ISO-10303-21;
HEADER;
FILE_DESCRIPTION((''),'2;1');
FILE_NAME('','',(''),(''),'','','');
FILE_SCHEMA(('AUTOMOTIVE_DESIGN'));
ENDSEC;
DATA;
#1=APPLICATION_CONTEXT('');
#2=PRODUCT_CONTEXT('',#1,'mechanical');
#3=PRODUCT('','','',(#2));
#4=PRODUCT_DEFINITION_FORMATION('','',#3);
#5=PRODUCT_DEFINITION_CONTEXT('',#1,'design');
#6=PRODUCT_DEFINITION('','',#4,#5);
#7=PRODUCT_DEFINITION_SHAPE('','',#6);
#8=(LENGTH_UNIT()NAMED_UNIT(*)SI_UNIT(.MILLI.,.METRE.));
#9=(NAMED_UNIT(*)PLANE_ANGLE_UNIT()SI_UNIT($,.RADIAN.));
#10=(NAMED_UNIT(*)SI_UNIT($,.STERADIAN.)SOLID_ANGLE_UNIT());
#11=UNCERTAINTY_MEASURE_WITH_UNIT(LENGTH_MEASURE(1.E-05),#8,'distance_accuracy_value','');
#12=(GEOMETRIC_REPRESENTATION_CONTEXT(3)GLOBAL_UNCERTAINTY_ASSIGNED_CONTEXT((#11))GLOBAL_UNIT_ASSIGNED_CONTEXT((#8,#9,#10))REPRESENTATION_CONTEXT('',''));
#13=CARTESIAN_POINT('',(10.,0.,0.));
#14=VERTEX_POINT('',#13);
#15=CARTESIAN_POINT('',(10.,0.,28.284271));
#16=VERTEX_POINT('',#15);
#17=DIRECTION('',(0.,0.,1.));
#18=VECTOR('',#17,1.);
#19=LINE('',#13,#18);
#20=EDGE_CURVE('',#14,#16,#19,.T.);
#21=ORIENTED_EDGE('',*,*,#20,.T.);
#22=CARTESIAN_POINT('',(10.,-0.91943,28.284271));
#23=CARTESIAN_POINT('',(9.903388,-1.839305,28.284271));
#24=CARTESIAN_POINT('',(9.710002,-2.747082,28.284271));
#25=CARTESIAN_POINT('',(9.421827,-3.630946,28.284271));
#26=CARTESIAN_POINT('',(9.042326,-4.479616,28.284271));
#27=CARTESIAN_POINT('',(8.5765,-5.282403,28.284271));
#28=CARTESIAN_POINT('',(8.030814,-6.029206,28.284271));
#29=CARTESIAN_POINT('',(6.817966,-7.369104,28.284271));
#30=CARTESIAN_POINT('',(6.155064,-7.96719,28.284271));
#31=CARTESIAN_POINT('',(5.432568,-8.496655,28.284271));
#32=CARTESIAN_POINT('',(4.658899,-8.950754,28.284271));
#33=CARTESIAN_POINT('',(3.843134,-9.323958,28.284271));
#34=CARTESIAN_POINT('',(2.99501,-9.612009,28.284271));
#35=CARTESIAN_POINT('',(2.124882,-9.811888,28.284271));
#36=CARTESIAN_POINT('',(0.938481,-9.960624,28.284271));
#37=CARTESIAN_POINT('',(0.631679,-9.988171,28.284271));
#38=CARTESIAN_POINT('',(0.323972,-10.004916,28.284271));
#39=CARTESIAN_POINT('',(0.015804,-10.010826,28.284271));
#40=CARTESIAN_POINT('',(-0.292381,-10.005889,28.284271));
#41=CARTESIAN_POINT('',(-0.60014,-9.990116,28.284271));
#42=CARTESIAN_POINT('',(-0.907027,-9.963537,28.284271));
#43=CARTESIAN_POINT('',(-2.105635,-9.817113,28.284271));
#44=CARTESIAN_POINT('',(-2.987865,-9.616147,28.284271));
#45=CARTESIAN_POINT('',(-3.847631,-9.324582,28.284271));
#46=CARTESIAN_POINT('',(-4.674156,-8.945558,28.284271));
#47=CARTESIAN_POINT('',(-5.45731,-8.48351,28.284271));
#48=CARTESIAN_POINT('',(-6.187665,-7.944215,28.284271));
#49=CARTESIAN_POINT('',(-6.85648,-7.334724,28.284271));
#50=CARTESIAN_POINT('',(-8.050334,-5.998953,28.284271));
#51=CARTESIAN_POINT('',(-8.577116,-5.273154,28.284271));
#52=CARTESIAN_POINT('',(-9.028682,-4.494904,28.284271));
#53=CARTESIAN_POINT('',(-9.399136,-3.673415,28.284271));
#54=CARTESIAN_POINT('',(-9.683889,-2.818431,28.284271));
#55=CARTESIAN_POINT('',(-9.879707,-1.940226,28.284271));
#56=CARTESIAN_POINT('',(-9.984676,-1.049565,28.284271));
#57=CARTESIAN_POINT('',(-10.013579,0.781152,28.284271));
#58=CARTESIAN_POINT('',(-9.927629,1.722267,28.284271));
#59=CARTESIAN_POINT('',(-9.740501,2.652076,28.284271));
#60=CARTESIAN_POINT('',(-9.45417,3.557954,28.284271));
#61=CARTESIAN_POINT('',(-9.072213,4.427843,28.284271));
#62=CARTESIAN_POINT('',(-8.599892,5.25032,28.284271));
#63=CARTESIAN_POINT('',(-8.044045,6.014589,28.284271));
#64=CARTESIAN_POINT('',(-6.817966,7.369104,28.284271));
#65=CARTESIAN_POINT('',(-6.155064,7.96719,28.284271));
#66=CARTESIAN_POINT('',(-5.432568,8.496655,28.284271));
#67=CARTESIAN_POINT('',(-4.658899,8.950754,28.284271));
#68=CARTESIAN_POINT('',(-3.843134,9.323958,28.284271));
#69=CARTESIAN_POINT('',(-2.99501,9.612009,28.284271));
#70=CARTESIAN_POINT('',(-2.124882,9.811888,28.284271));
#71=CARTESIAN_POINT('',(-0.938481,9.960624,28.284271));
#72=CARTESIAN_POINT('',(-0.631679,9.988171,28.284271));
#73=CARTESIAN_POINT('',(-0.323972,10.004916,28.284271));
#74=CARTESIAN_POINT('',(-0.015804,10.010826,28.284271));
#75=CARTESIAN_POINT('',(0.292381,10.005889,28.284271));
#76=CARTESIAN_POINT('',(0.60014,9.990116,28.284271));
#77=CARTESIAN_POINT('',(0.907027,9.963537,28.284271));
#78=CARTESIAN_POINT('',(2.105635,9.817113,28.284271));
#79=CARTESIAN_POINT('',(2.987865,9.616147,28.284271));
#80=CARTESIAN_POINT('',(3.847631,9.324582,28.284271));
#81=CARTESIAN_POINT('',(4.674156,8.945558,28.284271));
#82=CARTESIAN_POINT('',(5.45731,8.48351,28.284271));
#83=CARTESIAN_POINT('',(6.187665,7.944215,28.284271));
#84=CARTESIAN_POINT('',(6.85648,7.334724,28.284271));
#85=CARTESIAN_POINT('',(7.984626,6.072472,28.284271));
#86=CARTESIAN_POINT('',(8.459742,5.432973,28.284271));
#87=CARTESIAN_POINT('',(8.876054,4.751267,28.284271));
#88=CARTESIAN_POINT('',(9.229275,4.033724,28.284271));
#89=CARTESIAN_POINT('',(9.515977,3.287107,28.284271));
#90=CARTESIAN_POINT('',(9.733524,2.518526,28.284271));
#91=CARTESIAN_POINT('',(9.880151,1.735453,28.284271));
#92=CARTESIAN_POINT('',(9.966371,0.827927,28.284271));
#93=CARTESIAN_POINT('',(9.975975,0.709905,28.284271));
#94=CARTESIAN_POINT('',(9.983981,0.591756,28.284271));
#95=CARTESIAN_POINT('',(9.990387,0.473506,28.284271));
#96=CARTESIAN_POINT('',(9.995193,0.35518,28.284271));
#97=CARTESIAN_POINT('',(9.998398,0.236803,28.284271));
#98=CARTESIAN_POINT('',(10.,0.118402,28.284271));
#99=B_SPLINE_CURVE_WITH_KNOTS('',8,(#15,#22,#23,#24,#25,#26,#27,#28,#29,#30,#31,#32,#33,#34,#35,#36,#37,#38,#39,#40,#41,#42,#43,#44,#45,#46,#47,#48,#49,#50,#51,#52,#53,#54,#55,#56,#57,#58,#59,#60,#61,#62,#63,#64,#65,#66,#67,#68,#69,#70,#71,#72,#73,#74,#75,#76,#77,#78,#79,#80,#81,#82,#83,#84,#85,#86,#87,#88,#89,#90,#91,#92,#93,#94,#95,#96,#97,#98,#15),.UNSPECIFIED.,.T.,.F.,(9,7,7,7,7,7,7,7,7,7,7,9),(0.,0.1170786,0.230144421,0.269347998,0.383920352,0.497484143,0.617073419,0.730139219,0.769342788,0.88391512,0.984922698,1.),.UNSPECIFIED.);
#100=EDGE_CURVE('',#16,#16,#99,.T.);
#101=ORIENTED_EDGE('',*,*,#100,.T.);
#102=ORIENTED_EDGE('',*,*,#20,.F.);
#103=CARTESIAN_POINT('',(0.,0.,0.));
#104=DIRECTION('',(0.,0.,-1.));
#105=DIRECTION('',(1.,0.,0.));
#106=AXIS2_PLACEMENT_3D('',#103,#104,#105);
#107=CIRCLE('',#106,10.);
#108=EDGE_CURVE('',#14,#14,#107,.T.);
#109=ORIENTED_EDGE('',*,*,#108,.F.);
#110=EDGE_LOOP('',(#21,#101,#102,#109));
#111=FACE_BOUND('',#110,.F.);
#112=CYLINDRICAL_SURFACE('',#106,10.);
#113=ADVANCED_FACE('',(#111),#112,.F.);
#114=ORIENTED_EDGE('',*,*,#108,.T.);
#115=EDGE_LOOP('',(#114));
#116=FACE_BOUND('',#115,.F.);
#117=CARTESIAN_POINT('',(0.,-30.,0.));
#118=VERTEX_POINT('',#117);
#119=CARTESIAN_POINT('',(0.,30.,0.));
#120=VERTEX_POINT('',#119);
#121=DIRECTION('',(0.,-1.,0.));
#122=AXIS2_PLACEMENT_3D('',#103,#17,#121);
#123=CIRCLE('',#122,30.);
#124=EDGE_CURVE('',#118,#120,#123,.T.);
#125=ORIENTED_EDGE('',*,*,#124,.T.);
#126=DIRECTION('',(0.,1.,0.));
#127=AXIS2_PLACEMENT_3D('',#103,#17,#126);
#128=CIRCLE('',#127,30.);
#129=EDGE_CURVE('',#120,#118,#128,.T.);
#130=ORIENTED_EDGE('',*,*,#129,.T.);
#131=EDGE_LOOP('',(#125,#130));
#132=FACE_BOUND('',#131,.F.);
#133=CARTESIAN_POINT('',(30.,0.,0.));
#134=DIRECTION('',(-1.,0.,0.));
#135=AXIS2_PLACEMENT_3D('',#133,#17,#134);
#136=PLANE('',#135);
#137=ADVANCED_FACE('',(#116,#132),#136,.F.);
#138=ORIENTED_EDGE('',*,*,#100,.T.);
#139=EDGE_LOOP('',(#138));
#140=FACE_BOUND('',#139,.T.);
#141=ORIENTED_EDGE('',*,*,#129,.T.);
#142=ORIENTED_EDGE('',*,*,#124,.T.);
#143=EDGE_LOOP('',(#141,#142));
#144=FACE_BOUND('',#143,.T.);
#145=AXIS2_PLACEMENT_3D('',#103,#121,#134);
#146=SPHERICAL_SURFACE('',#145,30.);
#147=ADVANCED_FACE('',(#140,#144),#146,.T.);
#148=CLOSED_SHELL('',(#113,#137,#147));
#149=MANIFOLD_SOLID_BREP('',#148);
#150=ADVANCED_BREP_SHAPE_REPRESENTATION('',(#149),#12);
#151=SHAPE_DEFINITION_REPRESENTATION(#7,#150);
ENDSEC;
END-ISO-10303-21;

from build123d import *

# Parameters (mm, degrees)
F4_DEPTH = 30
F5_R     = 10
F6_DEPTH = 60


with BuildPart() as f2:
    # F0 (on Top) → F2 (revolve)
    with BuildSketch(Plane.XY):
        with BuildLine():
            Line((0, -30), (0, 30))
            ThreePointArc((0, 30), (-30, 0), (0, -30))
        make_face()
    revolve(axis=Axis((0, 0, 0), (0, -1, 0)))

    # F3 (on Front) → F4 (cut, symmetric)
    with BuildSketch(Plane.XZ):
        with BuildLine():
            Line((30, 0), (-30, 0))
            ThreePointArc((-30, 0), (0, -30), (30, 0))
        make_face()
    extrude(amount=F4_DEPTH, both=True, mode=Mode.SUBTRACT)

    # F5 (on face) → F6 (cut)
    with BuildSketch(Plane(origin=(0, 0, 0), x_dir=(1, 0, 0), z_dir=(0, 0, -1))):
        Circle(F5_R)
    extrude(amount=-F6_DEPTH, mode=Mode.SUBTRACT)


solid = f2.part
